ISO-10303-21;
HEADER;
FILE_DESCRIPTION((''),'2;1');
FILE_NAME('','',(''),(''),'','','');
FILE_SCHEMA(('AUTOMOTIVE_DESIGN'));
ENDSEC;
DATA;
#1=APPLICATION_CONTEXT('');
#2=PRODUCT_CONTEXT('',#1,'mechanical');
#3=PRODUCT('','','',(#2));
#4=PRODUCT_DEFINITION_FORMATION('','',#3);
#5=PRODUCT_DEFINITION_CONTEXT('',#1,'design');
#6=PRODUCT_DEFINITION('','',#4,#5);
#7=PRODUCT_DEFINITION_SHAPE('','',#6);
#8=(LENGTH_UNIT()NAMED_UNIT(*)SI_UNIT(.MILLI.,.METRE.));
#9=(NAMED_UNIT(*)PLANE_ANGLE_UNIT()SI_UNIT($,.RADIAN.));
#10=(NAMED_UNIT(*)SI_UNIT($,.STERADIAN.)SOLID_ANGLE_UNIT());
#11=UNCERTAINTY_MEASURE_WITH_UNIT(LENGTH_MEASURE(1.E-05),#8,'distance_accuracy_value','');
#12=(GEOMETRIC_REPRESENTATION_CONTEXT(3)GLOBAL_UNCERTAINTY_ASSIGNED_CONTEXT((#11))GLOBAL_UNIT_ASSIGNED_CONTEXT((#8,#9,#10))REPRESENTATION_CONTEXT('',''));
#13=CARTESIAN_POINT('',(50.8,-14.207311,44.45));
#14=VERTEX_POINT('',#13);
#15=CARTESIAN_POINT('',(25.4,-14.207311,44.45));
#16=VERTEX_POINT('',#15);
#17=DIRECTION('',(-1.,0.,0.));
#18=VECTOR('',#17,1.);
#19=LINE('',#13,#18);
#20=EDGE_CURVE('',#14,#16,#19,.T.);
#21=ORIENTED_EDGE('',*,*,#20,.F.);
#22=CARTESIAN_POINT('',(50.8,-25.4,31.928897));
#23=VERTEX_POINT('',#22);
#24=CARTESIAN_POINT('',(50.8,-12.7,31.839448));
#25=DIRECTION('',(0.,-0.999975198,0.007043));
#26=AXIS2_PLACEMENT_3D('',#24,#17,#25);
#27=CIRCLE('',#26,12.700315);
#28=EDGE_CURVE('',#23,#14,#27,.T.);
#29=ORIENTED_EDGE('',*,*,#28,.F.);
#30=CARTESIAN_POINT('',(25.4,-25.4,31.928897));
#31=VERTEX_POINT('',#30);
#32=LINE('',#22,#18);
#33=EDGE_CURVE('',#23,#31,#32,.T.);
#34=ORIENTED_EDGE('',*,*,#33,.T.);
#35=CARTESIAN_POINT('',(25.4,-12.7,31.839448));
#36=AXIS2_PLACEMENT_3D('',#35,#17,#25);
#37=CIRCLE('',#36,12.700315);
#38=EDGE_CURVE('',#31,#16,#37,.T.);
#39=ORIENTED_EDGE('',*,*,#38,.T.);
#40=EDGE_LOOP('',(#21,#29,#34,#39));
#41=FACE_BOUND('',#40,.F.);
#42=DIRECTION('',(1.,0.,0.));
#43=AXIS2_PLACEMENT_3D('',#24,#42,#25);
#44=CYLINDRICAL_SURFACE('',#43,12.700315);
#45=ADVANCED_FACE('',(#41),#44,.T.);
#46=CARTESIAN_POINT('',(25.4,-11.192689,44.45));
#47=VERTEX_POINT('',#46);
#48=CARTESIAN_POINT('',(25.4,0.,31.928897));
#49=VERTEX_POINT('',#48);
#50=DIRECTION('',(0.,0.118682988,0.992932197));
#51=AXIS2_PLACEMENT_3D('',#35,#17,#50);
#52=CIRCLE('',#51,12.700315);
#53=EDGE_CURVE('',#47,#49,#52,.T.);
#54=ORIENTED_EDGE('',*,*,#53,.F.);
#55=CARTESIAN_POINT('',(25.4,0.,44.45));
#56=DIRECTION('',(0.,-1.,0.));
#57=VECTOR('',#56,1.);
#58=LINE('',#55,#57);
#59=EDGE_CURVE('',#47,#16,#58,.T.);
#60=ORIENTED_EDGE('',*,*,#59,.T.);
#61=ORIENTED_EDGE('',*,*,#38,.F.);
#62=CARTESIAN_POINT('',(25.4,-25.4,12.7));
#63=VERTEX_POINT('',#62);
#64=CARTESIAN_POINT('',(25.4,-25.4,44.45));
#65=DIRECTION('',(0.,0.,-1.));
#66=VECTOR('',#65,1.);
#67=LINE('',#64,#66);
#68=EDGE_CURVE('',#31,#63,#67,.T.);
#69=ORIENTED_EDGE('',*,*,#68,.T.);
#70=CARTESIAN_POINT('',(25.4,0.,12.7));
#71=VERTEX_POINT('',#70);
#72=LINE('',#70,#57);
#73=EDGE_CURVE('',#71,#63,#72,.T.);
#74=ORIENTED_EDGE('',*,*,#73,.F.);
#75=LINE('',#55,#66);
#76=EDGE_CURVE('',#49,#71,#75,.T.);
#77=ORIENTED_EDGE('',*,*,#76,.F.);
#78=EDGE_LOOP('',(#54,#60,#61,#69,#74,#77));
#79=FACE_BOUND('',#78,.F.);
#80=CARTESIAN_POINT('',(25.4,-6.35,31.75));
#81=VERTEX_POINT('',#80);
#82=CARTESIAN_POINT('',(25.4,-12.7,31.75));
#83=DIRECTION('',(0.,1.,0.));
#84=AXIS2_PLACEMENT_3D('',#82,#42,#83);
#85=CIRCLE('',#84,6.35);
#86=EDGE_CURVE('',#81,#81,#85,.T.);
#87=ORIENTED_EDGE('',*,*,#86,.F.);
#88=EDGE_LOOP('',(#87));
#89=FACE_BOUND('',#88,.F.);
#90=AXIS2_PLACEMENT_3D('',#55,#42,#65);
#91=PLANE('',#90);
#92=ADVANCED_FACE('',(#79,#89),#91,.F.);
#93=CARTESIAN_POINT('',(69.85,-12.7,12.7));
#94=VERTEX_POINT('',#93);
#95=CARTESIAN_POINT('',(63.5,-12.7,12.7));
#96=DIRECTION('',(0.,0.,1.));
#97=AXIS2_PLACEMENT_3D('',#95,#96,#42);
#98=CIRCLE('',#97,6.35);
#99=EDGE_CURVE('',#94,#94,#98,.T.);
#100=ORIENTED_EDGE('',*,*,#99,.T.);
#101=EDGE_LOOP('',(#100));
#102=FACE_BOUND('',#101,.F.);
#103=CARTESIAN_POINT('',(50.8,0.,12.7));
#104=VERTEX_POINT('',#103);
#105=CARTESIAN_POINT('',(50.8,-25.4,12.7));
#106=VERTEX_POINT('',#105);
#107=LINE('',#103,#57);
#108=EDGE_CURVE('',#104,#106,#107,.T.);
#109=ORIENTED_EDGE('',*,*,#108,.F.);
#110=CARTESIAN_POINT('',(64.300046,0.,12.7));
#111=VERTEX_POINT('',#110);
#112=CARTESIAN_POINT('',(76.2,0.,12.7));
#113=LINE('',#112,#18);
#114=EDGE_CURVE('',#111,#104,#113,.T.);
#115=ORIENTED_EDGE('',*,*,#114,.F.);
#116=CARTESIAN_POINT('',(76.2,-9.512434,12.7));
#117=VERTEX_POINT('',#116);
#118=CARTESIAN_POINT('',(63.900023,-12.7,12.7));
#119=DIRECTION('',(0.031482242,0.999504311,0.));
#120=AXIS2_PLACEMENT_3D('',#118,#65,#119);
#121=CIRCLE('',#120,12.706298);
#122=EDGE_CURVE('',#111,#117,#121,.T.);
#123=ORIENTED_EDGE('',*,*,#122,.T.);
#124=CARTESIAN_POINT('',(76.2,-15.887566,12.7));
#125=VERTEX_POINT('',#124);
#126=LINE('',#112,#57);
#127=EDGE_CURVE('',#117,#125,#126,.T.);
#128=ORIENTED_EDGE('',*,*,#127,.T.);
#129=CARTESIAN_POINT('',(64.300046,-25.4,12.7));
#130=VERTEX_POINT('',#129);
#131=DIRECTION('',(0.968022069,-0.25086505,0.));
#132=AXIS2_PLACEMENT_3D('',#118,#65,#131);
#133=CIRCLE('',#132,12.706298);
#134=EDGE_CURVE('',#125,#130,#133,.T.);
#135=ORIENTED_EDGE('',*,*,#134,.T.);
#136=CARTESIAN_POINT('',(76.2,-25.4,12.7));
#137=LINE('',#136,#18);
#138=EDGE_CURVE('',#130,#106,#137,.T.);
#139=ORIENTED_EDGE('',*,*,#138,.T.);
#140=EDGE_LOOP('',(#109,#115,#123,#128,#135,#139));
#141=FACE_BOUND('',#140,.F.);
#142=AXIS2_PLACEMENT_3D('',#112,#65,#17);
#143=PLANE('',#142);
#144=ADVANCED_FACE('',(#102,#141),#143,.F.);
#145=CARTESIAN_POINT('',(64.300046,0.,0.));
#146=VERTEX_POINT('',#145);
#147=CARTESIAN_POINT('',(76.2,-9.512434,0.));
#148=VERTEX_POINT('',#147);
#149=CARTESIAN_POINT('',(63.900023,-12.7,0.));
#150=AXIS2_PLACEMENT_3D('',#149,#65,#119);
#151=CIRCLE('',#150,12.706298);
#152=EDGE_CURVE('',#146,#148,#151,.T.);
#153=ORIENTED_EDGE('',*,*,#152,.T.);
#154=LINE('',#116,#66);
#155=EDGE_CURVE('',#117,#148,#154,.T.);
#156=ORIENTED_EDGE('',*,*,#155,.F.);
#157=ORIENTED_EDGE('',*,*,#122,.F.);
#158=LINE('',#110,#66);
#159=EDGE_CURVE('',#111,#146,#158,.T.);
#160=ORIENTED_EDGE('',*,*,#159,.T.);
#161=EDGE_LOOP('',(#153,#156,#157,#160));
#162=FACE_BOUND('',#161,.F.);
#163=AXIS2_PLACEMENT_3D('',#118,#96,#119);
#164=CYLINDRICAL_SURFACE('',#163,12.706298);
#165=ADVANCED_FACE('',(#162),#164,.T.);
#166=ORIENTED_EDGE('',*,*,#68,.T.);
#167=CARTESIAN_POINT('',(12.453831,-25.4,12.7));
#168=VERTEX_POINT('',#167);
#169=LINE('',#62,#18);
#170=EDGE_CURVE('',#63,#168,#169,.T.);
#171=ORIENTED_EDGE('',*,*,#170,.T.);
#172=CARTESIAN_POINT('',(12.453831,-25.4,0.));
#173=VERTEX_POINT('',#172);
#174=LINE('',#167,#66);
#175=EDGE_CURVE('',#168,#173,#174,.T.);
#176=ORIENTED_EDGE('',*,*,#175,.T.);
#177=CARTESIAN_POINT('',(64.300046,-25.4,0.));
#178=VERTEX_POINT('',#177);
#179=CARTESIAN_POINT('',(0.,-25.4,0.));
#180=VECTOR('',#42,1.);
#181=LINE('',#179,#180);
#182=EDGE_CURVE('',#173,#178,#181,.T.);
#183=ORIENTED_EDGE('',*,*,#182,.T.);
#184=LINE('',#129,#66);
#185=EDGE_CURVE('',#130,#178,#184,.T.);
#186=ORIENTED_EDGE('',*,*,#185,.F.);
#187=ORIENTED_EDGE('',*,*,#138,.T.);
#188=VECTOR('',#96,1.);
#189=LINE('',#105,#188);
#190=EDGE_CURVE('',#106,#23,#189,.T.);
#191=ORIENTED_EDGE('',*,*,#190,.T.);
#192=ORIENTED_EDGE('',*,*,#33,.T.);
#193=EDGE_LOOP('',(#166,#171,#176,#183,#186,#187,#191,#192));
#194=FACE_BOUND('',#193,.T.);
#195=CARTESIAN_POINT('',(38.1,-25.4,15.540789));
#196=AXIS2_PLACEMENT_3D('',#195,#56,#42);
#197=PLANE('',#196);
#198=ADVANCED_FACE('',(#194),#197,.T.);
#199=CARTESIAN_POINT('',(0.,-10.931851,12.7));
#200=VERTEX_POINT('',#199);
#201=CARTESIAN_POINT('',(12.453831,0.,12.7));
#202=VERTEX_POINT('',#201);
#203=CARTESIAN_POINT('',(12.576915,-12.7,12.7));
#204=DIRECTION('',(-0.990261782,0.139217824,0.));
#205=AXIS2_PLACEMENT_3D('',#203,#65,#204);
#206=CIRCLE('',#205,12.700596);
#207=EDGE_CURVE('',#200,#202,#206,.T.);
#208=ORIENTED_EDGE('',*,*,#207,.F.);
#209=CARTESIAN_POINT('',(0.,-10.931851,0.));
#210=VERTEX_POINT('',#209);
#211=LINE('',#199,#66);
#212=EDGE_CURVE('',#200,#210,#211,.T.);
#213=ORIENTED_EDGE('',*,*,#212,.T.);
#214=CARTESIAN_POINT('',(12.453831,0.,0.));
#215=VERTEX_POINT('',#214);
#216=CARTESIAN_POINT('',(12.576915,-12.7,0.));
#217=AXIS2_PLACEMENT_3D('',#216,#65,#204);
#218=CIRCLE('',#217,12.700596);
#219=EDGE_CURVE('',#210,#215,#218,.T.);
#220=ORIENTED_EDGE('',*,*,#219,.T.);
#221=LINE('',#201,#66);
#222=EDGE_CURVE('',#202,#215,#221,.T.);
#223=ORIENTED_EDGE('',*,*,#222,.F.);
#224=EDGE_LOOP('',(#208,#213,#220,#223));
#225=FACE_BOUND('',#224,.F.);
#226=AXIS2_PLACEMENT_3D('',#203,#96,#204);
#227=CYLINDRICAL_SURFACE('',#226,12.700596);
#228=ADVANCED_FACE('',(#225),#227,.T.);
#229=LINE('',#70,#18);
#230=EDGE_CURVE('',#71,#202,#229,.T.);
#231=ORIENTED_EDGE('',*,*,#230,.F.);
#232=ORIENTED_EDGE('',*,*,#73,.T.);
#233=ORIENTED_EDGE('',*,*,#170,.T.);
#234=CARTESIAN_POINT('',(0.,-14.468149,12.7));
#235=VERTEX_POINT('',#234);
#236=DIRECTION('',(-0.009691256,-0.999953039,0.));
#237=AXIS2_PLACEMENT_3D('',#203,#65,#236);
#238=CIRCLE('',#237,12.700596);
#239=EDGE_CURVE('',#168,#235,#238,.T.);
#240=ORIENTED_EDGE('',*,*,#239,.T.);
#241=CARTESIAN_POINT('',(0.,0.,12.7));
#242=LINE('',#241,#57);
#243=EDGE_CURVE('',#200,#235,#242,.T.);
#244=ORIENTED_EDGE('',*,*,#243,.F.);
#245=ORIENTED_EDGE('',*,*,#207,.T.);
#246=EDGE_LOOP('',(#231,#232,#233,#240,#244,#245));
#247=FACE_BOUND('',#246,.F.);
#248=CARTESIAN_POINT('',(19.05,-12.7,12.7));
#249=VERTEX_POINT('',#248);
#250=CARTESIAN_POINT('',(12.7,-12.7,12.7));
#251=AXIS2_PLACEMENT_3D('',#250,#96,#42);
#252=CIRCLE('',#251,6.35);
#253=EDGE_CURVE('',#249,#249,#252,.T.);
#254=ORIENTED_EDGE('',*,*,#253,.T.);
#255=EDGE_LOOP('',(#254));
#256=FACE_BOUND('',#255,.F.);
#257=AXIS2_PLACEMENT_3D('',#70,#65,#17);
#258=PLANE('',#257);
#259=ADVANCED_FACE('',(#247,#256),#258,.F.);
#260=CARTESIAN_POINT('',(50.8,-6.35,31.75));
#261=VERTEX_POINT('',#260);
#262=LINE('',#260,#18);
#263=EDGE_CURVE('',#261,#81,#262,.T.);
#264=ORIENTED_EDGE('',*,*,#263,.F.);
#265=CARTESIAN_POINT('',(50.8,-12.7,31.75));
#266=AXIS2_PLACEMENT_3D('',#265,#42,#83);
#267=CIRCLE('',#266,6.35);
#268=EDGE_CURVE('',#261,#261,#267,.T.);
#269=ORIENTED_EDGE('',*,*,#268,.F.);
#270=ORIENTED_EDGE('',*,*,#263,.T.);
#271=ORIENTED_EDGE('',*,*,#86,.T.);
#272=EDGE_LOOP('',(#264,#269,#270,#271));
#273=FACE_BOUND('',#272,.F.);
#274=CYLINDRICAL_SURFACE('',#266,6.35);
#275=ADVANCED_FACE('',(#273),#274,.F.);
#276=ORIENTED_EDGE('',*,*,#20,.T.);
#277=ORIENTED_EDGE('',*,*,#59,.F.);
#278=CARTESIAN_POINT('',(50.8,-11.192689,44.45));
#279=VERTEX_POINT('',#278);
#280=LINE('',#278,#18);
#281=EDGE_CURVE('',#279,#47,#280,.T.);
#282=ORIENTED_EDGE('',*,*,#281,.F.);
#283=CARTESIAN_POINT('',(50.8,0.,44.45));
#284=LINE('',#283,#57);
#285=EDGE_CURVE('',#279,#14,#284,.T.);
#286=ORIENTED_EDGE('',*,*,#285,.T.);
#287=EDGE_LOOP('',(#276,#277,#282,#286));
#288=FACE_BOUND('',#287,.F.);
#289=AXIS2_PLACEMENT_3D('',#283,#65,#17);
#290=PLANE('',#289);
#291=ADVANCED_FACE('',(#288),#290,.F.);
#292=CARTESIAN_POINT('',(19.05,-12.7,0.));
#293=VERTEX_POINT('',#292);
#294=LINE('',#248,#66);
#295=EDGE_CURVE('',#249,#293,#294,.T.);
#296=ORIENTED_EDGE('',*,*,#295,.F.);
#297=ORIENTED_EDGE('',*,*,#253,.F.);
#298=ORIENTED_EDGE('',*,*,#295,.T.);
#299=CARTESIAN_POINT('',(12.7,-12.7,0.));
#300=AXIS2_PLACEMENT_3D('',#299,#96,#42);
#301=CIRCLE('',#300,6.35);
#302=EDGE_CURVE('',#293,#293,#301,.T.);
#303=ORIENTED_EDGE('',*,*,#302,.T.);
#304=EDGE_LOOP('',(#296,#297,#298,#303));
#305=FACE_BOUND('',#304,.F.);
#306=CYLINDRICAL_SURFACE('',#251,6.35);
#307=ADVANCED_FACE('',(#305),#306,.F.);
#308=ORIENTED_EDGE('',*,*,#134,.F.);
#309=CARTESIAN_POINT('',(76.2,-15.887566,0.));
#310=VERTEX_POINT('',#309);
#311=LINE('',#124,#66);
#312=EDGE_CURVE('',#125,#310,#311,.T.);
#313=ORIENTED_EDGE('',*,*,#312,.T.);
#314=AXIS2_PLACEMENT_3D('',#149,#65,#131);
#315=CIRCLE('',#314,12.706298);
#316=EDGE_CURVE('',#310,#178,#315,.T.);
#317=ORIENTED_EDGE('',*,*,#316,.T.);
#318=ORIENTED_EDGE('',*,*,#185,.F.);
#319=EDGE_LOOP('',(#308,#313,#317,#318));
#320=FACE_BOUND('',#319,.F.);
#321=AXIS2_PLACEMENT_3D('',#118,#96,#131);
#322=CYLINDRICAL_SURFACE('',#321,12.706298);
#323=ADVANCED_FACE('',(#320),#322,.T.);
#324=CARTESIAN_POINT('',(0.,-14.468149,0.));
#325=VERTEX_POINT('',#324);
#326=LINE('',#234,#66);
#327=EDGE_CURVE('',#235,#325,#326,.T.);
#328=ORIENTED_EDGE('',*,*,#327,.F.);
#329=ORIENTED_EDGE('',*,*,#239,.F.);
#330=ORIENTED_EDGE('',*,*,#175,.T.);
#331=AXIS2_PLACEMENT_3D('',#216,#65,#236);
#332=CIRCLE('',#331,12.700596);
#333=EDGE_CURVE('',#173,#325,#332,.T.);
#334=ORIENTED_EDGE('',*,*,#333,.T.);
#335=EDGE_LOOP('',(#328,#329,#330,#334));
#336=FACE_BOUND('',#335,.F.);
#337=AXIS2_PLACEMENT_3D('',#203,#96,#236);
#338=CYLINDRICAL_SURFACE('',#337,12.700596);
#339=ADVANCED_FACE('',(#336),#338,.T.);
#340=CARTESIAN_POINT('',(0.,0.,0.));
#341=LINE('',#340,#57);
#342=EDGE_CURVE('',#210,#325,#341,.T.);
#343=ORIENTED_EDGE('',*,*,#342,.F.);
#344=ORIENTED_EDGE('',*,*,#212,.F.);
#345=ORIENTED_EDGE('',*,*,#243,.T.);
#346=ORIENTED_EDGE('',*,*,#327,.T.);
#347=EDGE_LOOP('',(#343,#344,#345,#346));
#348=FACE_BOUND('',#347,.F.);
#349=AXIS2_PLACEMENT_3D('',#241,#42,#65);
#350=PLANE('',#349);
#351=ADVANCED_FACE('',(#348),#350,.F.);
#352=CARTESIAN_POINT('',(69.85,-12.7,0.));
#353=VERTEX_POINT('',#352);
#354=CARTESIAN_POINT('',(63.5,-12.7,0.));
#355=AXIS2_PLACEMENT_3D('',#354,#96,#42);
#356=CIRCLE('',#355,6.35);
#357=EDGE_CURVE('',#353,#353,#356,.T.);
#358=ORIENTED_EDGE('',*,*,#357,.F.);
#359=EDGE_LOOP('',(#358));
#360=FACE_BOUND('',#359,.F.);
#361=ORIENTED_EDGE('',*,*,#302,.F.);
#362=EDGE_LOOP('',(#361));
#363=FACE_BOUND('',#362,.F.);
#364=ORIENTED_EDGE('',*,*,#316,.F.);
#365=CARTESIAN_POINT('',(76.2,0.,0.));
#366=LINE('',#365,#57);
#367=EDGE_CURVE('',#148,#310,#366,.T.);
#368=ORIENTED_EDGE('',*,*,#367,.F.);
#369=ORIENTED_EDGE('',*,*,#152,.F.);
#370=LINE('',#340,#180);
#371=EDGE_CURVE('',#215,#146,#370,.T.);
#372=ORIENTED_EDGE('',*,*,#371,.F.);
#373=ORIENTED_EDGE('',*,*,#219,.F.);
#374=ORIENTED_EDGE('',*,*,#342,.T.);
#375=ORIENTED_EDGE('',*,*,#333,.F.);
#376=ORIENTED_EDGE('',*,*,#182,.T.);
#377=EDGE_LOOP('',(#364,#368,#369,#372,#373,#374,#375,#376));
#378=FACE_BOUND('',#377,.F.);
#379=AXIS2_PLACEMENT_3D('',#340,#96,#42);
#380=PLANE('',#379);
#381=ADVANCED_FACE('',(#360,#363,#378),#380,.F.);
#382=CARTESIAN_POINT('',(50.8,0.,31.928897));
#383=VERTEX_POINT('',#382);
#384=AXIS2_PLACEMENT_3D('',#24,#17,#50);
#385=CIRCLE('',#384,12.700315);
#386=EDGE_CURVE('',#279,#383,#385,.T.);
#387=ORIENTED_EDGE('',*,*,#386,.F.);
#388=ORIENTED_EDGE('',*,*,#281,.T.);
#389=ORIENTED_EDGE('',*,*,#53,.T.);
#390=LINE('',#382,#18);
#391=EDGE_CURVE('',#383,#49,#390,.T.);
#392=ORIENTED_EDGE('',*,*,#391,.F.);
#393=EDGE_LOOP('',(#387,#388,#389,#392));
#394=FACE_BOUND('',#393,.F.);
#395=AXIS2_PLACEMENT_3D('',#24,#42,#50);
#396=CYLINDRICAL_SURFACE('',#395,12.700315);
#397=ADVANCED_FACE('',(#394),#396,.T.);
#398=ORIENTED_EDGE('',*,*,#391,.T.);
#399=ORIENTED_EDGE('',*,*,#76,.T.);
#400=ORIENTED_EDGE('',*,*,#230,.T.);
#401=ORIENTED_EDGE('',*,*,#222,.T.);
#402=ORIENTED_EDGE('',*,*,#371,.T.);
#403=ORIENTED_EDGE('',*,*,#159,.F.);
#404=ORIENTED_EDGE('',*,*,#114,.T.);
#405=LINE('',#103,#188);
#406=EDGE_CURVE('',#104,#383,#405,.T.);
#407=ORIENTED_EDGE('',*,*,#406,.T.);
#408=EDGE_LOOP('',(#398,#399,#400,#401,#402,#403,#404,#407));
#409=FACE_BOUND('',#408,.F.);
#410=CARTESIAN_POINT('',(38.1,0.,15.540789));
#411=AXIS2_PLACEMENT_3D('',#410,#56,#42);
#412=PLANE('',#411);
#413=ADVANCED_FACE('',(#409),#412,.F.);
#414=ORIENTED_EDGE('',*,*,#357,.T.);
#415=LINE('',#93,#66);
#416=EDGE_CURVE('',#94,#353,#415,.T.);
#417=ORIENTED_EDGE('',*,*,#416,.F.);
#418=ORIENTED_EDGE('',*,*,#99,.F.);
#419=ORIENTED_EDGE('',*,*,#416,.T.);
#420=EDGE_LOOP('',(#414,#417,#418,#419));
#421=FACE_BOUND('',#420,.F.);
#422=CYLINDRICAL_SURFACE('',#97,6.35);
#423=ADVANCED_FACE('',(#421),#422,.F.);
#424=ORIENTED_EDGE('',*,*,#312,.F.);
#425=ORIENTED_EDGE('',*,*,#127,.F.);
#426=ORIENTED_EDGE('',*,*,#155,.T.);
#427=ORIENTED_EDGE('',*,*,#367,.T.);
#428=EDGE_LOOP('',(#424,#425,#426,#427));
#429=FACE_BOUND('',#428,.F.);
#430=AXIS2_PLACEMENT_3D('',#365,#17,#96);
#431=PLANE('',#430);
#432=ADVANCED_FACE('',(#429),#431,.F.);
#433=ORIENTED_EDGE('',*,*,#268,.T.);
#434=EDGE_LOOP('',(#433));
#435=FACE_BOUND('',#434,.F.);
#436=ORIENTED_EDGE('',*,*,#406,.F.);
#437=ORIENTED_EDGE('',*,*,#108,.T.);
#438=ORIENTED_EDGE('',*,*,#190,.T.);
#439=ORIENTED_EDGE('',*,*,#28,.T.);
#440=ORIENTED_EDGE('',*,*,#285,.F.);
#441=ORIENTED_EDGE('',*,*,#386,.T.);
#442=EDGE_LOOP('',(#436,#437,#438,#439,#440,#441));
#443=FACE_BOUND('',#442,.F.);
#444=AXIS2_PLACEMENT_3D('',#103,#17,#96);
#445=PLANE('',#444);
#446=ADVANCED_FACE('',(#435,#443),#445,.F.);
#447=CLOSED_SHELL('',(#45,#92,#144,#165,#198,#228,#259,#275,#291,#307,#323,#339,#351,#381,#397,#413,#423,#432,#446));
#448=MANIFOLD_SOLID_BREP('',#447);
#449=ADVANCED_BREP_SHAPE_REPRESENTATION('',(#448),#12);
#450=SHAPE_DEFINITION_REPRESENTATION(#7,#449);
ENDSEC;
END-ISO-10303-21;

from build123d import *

# Parameters (mm, degrees)
F1_DEPTH = 25.4
F2_R     = 6.35
F3_DEPTH = 25.4
F4_R     = 6.35
F5_DEPTH = 12.7
F6_R     = 6.35
F7_DEPTH = 12.7


with BuildPart() as f1:
    # F0 (on Front) → F1 (new body)
    with BuildSketch(Plane.XZ):
        Polygon((0, 12.7), (0, 0), (76.2, 0), (76.2, 12.7), (50.8, 12.7), (50.8, 44.45), (25.4, 44.45), (25.4, 12.7), align=None)
    extrude(amount=F1_DEPTH)

    # F2 (on face) → F3 (cut)
    with BuildSketch(Plane.YZ.offset(50.8)):
        with Locations((-12.7, 31.75)):
            Circle(F2_R)
        with BuildLine():
            ThreePointArc((-11.1926886687, 44.45), (-3.231292005, 40.303582652), (0, 31.9288966496))
            Line((0, 31.9288966496), (0, 44.45))
            Line((0, 44.45), (-11.1926886687, 44.45))
        make_face()
        with BuildLine():
            ThreePointArc((-25.4, 31.9288966496), (-22.168707995, 40.303582652), (-14.2073113313, 44.45))
            Line((-14.2073113313, 44.45), (-25.4, 44.45))
            Line((-25.4, 44.45), (-25.4, 31.9288966496))
        make_face()
    extrude(amount=-F3_DEPTH, mode=Mode.SUBTRACT)

    # F4 (on face) → F5 (cut)
    with BuildSketch(Plane.XY.offset(12.7)):
        with Locations((63.5, -12.7)):
            Circle(F4_R)
        with BuildLine():
            ThreePointArc((64.3000455197, 0), (71.8337545006, -2.7749851952), (76.2, -9.512433828))
            Line((76.2, -9.512433828), (76.2, 0))
            Line((76.2, 0), (64.3000455197, 0))
        make_face()
        with BuildLine():
            ThreePointArc((76.2, -15.887566172), (71.8337545006, -22.6250148048), (64.3000455197, -25.4))
            Line((64.3000455197, -25.4), (76.2, -25.4))
            Line((76.2, -25.4), (76.2, -15.887566172))
        make_face()
    extrude(amount=-F5_DEPTH, mode=Mode.SUBTRACT)

    # F6 (on face) → F7 (cut)
    with BuildSketch(Plane.XY.offset(12.7)):
        with Locations((12.7, -12.7)):
            Circle(F6_R)
        with BuildLine():
            ThreePointArc((0, -10.9318505954), (4.1984404998, -3.1550374284), (12.4538305262, 0))
            Line((12.4538305262, 0), (0, 0))
            Line((0, 0), (0, -10.9318505954))
        make_face()
        with BuildLine():
            ThreePointArc((12.4538305262, -25.4), (4.1984404998, -22.2449625716), (0, -14.4681494046))
            Line((0, -14.4681494046), (0, -25.4))
            Line((0, -25.4), (12.4538305262, -25.4))
        make_face()
    extrude(amount=-F7_DEPTH, mode=Mode.SUBTRACT)


solid = f1.part
